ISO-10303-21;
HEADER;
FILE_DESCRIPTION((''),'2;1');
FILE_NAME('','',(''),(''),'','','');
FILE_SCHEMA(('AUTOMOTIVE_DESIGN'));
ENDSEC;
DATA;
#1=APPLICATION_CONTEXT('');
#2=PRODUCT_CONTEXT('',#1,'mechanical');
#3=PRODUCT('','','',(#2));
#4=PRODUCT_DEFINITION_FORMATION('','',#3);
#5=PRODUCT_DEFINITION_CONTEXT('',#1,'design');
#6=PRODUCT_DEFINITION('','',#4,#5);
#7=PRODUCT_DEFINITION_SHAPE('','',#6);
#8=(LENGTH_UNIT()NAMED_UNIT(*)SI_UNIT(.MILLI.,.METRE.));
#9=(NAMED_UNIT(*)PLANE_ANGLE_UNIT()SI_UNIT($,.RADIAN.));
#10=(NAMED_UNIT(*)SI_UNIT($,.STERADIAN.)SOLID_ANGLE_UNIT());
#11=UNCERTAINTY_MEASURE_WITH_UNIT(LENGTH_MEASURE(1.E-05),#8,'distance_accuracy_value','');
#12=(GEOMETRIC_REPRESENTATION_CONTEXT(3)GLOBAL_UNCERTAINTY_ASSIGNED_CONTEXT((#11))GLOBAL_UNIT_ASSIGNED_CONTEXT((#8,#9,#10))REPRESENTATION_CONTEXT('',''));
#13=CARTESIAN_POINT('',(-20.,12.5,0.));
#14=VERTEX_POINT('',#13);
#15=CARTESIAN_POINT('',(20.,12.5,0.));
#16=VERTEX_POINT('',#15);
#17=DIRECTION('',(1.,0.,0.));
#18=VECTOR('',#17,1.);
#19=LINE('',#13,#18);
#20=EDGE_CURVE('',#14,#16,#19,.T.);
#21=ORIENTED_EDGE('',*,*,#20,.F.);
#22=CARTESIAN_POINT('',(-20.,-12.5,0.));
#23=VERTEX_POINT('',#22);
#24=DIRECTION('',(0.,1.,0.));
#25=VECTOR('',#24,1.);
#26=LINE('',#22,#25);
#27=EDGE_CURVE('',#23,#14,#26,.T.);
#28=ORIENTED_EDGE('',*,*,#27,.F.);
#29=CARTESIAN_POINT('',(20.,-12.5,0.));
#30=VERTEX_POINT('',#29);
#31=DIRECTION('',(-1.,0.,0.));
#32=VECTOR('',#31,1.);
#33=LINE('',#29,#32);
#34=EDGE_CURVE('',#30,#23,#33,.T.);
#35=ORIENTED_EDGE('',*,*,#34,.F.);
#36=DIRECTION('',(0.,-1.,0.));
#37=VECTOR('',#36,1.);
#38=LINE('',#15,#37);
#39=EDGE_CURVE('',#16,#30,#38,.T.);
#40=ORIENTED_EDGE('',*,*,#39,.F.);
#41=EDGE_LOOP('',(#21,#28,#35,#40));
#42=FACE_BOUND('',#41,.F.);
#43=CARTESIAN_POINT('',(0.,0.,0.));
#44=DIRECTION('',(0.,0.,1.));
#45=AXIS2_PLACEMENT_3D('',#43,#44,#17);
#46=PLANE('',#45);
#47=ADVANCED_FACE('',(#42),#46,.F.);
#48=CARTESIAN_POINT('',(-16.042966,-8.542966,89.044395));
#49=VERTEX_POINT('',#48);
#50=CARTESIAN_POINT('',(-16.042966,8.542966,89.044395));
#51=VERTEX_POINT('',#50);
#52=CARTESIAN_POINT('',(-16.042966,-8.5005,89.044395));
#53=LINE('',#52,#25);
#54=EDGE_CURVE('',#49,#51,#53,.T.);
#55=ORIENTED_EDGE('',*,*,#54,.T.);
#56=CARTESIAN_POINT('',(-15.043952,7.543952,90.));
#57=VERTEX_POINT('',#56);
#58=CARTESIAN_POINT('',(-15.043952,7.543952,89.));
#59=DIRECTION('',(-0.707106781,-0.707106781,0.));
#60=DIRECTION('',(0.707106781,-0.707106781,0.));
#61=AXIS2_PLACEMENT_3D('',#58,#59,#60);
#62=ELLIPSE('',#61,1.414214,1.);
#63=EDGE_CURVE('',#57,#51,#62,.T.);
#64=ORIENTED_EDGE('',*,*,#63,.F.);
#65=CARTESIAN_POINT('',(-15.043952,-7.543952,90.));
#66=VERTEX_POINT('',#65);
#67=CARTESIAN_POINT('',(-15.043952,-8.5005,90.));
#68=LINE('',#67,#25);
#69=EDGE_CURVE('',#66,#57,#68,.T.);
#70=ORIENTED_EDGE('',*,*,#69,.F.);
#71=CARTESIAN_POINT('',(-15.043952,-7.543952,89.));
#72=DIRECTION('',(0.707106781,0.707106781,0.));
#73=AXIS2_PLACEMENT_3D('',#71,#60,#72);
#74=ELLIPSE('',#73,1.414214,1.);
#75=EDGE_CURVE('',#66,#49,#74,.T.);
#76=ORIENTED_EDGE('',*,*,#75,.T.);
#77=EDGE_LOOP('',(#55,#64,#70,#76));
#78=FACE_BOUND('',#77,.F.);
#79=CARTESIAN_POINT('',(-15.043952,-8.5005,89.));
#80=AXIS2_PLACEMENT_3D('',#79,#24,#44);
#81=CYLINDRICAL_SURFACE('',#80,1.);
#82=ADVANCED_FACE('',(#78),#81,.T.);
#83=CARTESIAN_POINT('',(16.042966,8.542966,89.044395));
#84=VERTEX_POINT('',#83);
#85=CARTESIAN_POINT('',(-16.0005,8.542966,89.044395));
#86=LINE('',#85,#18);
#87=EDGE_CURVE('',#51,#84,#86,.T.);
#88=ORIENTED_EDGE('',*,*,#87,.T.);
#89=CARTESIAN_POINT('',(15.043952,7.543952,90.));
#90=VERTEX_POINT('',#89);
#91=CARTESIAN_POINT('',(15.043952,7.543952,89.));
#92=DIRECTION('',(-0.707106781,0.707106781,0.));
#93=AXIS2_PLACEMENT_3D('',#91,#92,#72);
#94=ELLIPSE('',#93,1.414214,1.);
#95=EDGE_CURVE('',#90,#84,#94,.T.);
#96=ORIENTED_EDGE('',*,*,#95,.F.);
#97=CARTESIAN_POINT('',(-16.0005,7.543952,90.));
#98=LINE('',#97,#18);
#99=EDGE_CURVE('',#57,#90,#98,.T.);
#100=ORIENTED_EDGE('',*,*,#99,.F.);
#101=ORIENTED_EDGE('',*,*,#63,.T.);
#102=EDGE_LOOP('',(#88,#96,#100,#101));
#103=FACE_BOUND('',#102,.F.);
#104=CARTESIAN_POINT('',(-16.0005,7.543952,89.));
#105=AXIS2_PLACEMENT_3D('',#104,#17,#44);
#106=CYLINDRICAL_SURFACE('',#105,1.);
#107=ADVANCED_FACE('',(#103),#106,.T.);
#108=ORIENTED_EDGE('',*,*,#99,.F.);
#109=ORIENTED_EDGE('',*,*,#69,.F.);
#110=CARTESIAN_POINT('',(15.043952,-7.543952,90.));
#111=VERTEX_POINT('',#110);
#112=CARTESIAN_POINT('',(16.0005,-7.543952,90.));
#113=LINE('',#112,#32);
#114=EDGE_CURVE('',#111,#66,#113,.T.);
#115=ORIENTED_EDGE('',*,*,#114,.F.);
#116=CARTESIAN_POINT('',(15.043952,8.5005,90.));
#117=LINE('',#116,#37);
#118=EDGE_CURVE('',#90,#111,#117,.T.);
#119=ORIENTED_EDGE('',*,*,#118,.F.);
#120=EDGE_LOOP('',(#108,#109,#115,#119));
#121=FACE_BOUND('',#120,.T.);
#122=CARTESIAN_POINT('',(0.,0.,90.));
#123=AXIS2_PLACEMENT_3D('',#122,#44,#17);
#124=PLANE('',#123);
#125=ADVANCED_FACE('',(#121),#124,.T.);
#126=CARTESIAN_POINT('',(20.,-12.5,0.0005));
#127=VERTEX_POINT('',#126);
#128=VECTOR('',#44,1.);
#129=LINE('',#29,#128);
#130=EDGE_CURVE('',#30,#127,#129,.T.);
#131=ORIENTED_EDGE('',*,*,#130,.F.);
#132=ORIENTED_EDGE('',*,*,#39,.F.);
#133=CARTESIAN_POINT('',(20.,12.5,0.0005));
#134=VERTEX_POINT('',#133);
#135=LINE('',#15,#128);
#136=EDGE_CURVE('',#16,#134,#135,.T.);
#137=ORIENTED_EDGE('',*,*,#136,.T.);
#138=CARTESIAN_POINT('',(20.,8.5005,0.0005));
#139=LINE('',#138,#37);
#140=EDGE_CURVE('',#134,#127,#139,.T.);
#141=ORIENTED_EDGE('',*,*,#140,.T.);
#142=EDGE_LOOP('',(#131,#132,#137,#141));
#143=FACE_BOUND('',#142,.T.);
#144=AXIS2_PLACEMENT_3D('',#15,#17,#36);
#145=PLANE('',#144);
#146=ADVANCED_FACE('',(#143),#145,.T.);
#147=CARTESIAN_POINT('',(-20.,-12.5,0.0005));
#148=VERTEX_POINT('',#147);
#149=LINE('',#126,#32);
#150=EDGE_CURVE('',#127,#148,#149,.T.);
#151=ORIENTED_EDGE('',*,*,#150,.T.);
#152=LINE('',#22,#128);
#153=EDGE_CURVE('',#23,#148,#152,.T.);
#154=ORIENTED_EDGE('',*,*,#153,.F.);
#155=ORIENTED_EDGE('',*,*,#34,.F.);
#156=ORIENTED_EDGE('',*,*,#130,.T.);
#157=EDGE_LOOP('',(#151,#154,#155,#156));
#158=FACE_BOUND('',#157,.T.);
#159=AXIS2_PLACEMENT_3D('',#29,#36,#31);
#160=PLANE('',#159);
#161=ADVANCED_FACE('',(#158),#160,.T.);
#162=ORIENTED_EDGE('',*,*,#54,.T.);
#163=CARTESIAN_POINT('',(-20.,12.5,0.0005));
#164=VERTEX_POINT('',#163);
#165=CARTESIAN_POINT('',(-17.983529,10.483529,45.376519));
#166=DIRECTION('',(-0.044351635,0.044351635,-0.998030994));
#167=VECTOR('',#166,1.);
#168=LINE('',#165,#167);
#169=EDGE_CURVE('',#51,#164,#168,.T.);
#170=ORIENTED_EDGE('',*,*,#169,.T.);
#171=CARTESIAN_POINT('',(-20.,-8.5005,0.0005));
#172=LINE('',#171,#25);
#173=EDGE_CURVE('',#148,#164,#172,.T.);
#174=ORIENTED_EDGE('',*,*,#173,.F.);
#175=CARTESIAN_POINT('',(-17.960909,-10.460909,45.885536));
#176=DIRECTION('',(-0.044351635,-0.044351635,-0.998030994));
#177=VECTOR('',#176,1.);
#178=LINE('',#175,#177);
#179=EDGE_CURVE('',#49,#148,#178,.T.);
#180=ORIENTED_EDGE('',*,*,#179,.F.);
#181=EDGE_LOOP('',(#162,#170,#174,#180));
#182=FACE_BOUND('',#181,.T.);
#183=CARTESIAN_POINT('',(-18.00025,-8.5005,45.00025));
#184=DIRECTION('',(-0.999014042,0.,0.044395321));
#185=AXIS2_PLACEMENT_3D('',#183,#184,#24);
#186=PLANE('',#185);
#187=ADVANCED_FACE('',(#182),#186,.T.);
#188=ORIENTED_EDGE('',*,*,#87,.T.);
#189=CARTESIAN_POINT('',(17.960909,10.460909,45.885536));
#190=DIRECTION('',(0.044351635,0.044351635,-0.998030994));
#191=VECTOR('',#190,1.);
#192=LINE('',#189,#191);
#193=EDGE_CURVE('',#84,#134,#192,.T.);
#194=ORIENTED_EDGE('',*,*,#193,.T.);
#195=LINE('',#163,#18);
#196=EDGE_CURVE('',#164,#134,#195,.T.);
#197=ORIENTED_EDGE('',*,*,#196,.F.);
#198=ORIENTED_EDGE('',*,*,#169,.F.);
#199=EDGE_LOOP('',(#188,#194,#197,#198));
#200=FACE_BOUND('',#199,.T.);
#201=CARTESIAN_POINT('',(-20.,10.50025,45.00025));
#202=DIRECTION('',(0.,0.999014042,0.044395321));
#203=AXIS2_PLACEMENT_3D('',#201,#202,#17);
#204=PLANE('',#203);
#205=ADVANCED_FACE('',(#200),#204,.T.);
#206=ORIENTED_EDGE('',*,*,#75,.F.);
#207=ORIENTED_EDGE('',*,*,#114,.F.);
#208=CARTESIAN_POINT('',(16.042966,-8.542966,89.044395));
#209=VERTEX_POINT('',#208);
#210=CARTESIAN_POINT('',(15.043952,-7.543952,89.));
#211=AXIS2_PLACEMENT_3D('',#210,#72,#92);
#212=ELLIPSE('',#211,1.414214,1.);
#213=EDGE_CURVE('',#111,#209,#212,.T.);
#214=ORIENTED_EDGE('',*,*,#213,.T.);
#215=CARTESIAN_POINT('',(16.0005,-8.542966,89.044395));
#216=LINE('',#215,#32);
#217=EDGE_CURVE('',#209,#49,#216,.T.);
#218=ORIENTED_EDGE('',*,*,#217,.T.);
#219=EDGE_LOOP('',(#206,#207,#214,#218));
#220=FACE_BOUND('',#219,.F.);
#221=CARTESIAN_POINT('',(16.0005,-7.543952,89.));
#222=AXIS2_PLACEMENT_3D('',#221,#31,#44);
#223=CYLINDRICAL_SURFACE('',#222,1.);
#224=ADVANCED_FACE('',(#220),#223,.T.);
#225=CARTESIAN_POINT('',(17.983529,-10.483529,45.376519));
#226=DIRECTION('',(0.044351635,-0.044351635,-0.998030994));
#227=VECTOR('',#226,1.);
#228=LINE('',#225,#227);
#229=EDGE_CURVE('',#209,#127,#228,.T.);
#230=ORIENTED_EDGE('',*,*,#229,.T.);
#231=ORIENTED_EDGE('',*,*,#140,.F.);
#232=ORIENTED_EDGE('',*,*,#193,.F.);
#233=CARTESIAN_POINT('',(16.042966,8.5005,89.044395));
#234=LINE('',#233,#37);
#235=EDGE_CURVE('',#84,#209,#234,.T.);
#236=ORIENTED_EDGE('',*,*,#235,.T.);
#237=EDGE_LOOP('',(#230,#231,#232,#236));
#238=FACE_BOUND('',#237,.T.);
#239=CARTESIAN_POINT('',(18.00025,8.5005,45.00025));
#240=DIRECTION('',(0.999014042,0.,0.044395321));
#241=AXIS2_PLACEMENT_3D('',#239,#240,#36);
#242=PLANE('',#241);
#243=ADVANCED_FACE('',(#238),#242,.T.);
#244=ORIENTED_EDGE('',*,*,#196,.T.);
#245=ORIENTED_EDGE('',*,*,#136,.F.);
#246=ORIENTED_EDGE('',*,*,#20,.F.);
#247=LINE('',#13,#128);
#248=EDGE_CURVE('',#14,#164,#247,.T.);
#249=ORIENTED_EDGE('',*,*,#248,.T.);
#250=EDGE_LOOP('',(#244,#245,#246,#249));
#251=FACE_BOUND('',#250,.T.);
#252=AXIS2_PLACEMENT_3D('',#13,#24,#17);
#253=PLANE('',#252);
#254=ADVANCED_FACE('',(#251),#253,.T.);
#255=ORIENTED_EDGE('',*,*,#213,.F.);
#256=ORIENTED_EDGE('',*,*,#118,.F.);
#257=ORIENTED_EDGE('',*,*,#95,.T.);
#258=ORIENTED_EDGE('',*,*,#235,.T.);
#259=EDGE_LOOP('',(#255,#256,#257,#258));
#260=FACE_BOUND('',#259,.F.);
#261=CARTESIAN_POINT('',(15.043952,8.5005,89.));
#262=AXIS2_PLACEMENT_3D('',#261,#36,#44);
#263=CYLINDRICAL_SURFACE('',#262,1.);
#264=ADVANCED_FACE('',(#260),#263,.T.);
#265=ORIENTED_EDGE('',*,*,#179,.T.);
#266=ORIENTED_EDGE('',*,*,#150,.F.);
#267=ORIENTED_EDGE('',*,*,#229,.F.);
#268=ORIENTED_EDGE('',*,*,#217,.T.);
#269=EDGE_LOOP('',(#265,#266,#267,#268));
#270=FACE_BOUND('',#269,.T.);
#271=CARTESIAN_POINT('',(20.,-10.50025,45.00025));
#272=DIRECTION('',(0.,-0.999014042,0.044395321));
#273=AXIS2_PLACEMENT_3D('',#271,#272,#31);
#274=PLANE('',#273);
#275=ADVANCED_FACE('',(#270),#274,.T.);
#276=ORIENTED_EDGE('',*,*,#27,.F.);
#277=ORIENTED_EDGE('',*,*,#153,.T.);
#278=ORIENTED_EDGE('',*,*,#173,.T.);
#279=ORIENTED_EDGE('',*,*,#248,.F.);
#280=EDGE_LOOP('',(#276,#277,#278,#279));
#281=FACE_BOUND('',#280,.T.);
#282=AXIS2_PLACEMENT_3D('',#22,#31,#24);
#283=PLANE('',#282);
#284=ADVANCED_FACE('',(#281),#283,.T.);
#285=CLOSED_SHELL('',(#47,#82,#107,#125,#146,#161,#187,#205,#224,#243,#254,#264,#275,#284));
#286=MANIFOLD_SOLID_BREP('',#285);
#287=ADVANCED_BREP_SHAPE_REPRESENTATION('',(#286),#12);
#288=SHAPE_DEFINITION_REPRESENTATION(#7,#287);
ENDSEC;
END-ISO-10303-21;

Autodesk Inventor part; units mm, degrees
ref_plane "YZ Plane" through (0, 0, 0) normal (1, 0, 0) x (0, 1, 0)
ref_plane "XZ Plane" through (0, 0, 0) normal (0, 1, 0) x (-1, 0, 0)
ref_plane "XY Plane" through (0, 0, 0) normal (0, 0, 1) x (1, 0, 0)
sketch "Sketch1" plane through (0, 0, 0) normal (0, 0, 1) x (1, 0, 0)
  line L0 (-20, 12.5) -> (20, 12.5)
  line L1 (20, 12.5) -> (20, -12.5)
  line L2 (20, -12.5) -> (-20, -12.5)
  line L3 (-20, -12.5) -> (-20, 12.5)
  point P0 (0, 0)
  dimension "d0" = 40
  dimension "d1" = 25
  dimension "d2" = 12.5
  dimension "d3" = 20
extrude "Extrusion1" add sketch "Sketch1" along normal blind 90
chamfer "Chamfer1" distance 4 distance2 90 1 edges at (0, 12.5, 90) measured on face at (-6.6667, 4.1667, 90)
chamfer "Chamfer2" distance 4 distance2 90 1 edges at (0, -12.5, 90) measured on face at (-6.6667, 1.5003, 90)
chamfer "Chamfer3" distance 4 distance2 90 1 edges at (20, 0, 90) measured on face at (-6.6667, 2.8335, 90)
chamfer "Chamfer4" distance 4 distance2 90 1 edges at (-20, 0, 90) measured on face at (-7.9998, 2.8335, 90)
fillet "Fillet1" radius 1 4 edges at (0, 8.5005, 90) (-16.0005, 0, 90) (0, -8.5005, 90) (16.0005, 0, 90)
properties part number "Foot"
